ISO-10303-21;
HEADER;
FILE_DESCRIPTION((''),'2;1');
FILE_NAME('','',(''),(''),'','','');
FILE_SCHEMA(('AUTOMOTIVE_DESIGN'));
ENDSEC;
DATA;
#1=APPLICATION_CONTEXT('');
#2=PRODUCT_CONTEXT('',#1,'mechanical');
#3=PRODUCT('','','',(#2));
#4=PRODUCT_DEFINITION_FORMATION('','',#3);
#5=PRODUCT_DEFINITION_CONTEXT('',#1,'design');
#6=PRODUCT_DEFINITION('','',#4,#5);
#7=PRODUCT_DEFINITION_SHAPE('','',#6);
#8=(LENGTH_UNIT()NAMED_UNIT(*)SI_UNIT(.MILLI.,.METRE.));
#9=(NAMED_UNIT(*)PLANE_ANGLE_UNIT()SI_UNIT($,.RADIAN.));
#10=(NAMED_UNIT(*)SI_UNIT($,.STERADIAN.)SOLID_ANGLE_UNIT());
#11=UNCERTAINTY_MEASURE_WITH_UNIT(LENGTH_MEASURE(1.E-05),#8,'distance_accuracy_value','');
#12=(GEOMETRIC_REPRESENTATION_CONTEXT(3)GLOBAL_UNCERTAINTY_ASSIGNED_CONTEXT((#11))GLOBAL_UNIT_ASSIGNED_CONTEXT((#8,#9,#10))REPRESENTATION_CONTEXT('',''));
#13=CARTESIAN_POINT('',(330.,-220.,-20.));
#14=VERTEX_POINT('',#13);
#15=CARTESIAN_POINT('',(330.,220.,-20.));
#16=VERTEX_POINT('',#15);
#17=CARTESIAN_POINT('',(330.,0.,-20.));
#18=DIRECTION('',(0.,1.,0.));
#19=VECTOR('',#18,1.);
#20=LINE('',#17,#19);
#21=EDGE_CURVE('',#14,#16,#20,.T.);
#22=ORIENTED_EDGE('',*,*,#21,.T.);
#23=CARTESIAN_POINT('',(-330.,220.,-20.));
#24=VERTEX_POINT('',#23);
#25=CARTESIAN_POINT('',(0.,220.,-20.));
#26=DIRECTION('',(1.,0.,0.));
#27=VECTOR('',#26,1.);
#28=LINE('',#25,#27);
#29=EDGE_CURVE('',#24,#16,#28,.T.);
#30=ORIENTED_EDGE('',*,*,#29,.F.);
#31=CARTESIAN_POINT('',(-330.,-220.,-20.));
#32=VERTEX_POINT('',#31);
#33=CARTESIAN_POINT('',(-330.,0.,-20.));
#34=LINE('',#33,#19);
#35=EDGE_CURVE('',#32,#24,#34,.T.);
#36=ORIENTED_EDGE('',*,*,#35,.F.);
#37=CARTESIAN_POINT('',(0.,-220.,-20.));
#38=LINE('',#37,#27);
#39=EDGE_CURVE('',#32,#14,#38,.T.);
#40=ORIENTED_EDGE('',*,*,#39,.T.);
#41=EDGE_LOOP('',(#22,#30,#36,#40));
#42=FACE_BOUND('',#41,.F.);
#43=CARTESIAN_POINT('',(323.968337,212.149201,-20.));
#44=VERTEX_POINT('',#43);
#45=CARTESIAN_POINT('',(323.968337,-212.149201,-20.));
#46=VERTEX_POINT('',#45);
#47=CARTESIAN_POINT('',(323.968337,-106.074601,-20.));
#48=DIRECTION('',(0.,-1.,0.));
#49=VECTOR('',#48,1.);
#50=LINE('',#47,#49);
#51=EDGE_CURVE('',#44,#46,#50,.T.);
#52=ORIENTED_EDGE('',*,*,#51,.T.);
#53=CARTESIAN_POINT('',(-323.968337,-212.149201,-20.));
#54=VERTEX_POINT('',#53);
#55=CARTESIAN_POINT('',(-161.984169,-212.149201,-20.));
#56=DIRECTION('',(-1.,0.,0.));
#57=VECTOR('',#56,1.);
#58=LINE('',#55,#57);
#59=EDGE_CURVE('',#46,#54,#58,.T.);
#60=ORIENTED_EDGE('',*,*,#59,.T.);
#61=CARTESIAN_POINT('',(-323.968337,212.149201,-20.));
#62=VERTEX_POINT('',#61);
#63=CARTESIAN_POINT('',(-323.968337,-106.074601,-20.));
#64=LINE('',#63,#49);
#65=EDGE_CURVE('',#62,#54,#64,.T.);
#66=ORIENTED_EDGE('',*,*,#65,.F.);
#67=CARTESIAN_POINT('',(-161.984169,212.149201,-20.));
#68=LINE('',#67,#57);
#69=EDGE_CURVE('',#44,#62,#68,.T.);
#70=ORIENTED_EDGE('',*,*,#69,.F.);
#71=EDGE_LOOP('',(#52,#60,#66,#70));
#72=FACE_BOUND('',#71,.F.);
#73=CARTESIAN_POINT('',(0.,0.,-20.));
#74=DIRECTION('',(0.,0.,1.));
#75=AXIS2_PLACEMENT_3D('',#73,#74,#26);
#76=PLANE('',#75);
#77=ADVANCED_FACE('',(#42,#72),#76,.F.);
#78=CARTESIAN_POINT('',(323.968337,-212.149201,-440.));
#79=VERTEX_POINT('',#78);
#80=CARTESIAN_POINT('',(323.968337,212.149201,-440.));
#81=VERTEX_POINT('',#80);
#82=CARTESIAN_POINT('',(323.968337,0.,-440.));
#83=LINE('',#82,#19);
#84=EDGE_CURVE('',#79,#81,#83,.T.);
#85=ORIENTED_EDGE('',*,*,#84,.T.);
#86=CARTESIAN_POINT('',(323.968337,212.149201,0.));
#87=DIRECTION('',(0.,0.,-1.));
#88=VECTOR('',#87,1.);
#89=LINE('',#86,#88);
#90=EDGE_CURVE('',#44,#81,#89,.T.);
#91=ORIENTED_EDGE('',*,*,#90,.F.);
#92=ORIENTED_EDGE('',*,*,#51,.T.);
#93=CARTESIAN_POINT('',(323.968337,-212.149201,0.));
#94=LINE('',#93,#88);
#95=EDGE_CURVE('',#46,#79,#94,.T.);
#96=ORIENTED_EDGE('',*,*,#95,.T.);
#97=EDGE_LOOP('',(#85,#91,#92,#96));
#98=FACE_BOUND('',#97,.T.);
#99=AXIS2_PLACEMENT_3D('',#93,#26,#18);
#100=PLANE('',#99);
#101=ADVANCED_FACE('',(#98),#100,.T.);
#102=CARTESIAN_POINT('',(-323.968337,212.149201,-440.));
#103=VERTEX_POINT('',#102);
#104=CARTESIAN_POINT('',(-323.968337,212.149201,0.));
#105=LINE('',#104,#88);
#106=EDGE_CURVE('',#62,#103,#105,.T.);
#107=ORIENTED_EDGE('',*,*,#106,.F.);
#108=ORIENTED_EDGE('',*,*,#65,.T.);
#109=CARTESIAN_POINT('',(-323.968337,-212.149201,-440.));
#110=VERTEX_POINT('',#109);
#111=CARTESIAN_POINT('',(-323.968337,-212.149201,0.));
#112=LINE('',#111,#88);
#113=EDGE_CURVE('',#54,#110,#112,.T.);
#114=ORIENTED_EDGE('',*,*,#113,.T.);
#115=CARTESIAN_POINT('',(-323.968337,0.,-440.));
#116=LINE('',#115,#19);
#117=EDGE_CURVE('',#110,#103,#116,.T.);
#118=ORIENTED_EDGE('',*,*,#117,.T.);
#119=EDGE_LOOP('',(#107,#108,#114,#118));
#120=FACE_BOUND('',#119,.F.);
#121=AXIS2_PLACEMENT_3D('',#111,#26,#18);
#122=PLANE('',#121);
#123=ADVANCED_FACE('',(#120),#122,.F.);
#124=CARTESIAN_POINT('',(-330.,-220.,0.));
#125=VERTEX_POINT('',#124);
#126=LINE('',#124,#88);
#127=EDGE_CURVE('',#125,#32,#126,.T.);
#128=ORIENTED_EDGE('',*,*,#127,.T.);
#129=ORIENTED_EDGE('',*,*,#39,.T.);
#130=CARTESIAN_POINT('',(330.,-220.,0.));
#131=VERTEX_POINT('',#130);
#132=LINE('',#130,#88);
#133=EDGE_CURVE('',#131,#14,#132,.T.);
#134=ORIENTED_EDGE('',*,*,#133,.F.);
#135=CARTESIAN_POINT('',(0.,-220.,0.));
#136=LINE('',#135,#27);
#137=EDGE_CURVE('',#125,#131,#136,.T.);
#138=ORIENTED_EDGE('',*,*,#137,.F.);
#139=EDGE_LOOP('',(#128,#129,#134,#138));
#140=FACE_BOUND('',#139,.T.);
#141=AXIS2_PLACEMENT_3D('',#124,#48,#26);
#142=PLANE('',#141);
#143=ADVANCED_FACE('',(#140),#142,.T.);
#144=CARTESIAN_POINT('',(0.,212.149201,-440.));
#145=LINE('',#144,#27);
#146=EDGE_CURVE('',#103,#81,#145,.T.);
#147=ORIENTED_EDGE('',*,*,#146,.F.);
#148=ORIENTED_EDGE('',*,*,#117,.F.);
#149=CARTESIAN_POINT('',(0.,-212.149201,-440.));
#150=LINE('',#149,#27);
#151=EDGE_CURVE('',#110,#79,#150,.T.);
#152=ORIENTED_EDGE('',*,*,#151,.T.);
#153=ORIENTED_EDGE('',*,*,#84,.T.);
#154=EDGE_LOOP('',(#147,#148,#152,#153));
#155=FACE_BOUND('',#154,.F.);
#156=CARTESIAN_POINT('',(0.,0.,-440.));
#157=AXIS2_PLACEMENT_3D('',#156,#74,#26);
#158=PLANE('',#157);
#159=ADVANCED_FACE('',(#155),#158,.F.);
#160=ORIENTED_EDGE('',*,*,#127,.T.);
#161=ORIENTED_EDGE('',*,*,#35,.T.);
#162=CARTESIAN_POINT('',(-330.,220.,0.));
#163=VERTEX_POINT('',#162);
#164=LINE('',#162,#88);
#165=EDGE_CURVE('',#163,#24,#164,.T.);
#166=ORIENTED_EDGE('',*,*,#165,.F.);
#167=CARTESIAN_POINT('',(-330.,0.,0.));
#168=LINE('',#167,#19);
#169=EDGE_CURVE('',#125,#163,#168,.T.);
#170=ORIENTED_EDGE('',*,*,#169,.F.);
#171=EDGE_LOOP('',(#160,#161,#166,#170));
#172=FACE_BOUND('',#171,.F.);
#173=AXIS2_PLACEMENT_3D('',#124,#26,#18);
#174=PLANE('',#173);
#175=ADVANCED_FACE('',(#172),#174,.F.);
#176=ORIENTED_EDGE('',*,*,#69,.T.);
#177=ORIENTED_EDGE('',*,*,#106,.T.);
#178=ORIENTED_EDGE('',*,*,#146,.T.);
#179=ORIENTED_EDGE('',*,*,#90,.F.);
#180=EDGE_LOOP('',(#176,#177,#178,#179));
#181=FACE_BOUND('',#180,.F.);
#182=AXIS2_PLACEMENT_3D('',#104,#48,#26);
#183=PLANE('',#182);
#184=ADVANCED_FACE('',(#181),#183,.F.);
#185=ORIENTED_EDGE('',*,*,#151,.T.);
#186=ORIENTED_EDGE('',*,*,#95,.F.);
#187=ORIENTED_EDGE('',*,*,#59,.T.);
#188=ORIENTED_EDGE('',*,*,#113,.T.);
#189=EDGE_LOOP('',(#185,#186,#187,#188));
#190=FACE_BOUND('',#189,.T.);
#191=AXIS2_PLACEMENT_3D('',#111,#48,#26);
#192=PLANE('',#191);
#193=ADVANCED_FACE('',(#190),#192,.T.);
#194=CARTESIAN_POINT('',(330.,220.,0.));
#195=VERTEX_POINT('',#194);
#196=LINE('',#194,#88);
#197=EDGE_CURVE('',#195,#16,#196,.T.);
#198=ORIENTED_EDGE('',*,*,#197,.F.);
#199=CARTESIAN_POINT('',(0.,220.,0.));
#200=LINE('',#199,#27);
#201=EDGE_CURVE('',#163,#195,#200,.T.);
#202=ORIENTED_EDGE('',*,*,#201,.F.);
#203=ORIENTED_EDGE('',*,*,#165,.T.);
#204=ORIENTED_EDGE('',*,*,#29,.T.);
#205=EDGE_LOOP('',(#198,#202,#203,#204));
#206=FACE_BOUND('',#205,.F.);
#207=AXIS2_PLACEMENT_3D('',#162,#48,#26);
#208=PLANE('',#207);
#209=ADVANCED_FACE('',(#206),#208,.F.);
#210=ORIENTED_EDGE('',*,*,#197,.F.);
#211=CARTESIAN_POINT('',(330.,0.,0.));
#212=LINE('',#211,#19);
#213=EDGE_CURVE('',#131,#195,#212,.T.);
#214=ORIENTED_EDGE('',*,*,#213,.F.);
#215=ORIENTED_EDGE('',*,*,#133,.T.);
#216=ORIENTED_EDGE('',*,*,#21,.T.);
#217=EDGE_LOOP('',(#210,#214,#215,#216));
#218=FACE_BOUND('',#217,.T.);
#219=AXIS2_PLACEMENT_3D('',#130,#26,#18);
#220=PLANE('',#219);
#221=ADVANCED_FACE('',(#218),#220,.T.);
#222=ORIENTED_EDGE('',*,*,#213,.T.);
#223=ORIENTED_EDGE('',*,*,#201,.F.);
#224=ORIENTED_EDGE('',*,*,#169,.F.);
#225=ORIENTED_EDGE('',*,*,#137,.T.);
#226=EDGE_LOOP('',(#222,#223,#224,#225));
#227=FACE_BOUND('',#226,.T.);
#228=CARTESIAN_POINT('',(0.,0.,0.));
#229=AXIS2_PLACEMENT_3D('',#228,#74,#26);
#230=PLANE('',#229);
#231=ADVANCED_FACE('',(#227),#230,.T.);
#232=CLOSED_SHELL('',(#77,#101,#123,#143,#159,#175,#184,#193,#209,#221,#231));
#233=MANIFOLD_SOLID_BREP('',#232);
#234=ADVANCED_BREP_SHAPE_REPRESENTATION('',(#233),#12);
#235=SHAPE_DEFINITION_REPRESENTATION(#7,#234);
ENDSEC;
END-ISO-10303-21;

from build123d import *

# Parameters (mm, degrees)
F0_W     = 647.936674
F0_H     = 424.298402
F1_DEPTH = 440
F0_W_2   = 660
F0_H_2   = 440
F2_DEPTH = 20


with BuildPart() as f1:
    # F0 (on Top) → F1 (new body)
    with BuildSketch(Plane.XY):
        Rectangle(F0_W, F0_H)
    extrude(amount=-F1_DEPTH)

    # F0 (on Top) → F2 (join)
    with BuildSketch(Plane.XY):
        Rectangle(F0_W_2, F0_H_2)
        Rectangle(F0_W, F0_H, mode=Mode.SUBTRACT)
        Rectangle(F0_W, F0_H)
    extrude(amount=-F2_DEPTH)


solid = f1.part
